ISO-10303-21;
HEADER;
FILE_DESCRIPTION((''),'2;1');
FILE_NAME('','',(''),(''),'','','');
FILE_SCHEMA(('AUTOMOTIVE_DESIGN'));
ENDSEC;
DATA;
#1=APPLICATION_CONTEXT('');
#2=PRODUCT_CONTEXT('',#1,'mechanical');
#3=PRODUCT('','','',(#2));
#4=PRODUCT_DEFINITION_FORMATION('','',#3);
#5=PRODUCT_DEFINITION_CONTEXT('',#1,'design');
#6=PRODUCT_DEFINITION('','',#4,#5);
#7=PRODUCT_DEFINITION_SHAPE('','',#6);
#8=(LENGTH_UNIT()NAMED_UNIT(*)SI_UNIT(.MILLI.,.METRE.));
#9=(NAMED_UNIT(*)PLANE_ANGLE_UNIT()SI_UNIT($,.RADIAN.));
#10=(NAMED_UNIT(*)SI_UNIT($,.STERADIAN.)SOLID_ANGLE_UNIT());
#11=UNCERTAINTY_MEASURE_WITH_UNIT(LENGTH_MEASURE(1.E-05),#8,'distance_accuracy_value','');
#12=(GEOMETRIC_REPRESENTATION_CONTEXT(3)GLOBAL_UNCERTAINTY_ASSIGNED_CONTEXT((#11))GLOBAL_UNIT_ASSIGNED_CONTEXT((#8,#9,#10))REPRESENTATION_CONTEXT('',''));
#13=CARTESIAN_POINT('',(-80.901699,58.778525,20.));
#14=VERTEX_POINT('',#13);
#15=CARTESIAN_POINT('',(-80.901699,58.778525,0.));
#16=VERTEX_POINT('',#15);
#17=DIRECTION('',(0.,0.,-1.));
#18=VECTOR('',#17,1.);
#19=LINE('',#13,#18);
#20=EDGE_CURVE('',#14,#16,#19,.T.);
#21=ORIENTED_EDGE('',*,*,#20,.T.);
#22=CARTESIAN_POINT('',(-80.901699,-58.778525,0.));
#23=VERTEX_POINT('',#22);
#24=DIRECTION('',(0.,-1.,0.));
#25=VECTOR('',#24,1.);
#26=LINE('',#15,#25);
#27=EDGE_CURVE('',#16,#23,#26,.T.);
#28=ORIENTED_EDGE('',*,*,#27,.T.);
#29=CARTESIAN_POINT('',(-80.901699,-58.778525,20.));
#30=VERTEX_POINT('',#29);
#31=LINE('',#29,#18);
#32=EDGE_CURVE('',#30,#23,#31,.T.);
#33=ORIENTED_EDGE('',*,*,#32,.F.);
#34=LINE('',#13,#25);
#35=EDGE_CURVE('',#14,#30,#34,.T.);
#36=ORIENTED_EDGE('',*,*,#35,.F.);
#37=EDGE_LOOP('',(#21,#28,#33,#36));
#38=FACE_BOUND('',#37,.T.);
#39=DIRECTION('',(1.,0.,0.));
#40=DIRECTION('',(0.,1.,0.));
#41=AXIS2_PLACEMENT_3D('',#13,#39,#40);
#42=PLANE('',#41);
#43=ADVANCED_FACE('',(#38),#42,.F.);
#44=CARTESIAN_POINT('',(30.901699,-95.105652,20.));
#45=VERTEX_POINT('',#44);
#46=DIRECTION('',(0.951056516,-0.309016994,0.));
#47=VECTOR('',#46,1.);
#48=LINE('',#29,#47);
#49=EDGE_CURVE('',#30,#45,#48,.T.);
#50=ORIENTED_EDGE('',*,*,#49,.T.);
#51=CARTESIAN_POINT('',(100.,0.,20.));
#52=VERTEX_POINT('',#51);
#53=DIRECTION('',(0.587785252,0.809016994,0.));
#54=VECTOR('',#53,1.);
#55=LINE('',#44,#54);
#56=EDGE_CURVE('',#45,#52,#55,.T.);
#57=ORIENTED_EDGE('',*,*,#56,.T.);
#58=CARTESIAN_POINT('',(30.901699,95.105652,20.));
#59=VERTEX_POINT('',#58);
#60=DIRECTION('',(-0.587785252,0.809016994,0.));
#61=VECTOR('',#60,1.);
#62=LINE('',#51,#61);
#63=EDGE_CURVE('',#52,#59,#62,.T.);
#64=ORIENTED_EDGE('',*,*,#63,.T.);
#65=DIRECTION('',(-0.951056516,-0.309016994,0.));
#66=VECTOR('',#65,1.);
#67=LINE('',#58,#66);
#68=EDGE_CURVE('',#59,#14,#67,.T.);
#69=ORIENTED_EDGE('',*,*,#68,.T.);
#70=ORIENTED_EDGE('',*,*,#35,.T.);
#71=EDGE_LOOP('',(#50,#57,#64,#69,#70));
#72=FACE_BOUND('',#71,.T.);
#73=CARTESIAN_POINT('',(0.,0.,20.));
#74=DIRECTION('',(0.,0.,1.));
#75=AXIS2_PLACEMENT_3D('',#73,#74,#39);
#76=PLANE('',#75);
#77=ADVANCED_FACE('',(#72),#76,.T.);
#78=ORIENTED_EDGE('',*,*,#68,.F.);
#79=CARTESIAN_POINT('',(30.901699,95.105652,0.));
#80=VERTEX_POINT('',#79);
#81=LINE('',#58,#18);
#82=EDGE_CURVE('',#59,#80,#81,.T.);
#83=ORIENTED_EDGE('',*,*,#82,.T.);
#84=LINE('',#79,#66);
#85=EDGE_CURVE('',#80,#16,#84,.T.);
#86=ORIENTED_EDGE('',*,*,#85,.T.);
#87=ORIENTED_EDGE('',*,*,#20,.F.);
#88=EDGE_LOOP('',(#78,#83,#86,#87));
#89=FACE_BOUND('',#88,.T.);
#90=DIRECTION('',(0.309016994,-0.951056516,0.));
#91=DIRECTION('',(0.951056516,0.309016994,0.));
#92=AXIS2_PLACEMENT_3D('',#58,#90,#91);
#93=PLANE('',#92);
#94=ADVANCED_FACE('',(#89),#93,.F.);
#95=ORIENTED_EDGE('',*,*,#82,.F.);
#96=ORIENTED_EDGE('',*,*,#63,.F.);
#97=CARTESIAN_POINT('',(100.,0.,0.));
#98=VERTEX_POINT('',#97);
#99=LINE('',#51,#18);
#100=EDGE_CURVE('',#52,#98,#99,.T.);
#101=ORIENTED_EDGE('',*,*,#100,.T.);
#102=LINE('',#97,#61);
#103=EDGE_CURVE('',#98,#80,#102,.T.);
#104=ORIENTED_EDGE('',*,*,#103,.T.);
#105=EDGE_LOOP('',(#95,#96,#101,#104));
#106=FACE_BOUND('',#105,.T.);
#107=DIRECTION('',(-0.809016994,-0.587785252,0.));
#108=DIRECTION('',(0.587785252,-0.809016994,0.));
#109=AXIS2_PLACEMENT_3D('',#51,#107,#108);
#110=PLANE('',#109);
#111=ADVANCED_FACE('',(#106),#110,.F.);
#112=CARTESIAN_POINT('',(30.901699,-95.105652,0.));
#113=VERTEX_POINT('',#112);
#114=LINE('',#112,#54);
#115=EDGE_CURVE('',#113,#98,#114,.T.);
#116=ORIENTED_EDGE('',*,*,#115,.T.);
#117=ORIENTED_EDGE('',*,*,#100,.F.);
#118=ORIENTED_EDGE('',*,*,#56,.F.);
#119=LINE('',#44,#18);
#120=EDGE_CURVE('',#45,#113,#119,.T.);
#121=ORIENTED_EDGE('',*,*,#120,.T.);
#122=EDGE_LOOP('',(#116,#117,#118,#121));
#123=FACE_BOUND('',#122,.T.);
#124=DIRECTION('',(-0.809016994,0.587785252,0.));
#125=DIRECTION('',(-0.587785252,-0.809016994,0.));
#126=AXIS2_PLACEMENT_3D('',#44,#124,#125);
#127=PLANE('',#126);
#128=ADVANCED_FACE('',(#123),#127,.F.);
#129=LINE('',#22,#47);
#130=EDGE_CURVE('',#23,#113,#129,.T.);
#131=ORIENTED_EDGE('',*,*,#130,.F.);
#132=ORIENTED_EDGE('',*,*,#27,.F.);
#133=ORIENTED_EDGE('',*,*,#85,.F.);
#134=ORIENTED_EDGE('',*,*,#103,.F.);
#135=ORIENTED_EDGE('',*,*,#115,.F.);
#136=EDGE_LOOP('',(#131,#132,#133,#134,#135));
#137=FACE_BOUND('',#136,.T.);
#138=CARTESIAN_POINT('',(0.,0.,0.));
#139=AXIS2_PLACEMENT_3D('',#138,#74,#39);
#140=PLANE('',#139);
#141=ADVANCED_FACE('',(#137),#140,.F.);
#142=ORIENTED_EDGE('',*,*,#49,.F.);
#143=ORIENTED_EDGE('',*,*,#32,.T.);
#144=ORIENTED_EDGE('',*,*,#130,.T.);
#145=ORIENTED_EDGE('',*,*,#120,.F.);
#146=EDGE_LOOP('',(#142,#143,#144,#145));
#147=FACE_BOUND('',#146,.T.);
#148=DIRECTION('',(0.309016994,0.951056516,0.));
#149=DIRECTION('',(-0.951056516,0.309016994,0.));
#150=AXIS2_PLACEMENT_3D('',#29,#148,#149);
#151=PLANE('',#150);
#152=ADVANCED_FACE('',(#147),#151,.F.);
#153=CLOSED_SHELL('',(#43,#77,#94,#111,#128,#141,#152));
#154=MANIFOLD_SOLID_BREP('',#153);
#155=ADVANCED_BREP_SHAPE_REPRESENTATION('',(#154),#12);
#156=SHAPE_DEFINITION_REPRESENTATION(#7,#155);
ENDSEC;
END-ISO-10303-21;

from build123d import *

# Parameters (mm, degrees)
EXTRUDE_1_DEPTH = 20


with BuildPart() as part:
    # 草图1 → 凸台-拉伸1 (new body)
    with BuildSketch(Plane.XY):
        Polygon((100, 0), (30.901699437, 95.10565163), (-80.901699437, 58.778525229), (-80.901699437, -58.778525229), (30.901699437, -95.10565163), align=None)
    extrude(amount=EXTRUDE_1_DEPTH)


solid = part.part
